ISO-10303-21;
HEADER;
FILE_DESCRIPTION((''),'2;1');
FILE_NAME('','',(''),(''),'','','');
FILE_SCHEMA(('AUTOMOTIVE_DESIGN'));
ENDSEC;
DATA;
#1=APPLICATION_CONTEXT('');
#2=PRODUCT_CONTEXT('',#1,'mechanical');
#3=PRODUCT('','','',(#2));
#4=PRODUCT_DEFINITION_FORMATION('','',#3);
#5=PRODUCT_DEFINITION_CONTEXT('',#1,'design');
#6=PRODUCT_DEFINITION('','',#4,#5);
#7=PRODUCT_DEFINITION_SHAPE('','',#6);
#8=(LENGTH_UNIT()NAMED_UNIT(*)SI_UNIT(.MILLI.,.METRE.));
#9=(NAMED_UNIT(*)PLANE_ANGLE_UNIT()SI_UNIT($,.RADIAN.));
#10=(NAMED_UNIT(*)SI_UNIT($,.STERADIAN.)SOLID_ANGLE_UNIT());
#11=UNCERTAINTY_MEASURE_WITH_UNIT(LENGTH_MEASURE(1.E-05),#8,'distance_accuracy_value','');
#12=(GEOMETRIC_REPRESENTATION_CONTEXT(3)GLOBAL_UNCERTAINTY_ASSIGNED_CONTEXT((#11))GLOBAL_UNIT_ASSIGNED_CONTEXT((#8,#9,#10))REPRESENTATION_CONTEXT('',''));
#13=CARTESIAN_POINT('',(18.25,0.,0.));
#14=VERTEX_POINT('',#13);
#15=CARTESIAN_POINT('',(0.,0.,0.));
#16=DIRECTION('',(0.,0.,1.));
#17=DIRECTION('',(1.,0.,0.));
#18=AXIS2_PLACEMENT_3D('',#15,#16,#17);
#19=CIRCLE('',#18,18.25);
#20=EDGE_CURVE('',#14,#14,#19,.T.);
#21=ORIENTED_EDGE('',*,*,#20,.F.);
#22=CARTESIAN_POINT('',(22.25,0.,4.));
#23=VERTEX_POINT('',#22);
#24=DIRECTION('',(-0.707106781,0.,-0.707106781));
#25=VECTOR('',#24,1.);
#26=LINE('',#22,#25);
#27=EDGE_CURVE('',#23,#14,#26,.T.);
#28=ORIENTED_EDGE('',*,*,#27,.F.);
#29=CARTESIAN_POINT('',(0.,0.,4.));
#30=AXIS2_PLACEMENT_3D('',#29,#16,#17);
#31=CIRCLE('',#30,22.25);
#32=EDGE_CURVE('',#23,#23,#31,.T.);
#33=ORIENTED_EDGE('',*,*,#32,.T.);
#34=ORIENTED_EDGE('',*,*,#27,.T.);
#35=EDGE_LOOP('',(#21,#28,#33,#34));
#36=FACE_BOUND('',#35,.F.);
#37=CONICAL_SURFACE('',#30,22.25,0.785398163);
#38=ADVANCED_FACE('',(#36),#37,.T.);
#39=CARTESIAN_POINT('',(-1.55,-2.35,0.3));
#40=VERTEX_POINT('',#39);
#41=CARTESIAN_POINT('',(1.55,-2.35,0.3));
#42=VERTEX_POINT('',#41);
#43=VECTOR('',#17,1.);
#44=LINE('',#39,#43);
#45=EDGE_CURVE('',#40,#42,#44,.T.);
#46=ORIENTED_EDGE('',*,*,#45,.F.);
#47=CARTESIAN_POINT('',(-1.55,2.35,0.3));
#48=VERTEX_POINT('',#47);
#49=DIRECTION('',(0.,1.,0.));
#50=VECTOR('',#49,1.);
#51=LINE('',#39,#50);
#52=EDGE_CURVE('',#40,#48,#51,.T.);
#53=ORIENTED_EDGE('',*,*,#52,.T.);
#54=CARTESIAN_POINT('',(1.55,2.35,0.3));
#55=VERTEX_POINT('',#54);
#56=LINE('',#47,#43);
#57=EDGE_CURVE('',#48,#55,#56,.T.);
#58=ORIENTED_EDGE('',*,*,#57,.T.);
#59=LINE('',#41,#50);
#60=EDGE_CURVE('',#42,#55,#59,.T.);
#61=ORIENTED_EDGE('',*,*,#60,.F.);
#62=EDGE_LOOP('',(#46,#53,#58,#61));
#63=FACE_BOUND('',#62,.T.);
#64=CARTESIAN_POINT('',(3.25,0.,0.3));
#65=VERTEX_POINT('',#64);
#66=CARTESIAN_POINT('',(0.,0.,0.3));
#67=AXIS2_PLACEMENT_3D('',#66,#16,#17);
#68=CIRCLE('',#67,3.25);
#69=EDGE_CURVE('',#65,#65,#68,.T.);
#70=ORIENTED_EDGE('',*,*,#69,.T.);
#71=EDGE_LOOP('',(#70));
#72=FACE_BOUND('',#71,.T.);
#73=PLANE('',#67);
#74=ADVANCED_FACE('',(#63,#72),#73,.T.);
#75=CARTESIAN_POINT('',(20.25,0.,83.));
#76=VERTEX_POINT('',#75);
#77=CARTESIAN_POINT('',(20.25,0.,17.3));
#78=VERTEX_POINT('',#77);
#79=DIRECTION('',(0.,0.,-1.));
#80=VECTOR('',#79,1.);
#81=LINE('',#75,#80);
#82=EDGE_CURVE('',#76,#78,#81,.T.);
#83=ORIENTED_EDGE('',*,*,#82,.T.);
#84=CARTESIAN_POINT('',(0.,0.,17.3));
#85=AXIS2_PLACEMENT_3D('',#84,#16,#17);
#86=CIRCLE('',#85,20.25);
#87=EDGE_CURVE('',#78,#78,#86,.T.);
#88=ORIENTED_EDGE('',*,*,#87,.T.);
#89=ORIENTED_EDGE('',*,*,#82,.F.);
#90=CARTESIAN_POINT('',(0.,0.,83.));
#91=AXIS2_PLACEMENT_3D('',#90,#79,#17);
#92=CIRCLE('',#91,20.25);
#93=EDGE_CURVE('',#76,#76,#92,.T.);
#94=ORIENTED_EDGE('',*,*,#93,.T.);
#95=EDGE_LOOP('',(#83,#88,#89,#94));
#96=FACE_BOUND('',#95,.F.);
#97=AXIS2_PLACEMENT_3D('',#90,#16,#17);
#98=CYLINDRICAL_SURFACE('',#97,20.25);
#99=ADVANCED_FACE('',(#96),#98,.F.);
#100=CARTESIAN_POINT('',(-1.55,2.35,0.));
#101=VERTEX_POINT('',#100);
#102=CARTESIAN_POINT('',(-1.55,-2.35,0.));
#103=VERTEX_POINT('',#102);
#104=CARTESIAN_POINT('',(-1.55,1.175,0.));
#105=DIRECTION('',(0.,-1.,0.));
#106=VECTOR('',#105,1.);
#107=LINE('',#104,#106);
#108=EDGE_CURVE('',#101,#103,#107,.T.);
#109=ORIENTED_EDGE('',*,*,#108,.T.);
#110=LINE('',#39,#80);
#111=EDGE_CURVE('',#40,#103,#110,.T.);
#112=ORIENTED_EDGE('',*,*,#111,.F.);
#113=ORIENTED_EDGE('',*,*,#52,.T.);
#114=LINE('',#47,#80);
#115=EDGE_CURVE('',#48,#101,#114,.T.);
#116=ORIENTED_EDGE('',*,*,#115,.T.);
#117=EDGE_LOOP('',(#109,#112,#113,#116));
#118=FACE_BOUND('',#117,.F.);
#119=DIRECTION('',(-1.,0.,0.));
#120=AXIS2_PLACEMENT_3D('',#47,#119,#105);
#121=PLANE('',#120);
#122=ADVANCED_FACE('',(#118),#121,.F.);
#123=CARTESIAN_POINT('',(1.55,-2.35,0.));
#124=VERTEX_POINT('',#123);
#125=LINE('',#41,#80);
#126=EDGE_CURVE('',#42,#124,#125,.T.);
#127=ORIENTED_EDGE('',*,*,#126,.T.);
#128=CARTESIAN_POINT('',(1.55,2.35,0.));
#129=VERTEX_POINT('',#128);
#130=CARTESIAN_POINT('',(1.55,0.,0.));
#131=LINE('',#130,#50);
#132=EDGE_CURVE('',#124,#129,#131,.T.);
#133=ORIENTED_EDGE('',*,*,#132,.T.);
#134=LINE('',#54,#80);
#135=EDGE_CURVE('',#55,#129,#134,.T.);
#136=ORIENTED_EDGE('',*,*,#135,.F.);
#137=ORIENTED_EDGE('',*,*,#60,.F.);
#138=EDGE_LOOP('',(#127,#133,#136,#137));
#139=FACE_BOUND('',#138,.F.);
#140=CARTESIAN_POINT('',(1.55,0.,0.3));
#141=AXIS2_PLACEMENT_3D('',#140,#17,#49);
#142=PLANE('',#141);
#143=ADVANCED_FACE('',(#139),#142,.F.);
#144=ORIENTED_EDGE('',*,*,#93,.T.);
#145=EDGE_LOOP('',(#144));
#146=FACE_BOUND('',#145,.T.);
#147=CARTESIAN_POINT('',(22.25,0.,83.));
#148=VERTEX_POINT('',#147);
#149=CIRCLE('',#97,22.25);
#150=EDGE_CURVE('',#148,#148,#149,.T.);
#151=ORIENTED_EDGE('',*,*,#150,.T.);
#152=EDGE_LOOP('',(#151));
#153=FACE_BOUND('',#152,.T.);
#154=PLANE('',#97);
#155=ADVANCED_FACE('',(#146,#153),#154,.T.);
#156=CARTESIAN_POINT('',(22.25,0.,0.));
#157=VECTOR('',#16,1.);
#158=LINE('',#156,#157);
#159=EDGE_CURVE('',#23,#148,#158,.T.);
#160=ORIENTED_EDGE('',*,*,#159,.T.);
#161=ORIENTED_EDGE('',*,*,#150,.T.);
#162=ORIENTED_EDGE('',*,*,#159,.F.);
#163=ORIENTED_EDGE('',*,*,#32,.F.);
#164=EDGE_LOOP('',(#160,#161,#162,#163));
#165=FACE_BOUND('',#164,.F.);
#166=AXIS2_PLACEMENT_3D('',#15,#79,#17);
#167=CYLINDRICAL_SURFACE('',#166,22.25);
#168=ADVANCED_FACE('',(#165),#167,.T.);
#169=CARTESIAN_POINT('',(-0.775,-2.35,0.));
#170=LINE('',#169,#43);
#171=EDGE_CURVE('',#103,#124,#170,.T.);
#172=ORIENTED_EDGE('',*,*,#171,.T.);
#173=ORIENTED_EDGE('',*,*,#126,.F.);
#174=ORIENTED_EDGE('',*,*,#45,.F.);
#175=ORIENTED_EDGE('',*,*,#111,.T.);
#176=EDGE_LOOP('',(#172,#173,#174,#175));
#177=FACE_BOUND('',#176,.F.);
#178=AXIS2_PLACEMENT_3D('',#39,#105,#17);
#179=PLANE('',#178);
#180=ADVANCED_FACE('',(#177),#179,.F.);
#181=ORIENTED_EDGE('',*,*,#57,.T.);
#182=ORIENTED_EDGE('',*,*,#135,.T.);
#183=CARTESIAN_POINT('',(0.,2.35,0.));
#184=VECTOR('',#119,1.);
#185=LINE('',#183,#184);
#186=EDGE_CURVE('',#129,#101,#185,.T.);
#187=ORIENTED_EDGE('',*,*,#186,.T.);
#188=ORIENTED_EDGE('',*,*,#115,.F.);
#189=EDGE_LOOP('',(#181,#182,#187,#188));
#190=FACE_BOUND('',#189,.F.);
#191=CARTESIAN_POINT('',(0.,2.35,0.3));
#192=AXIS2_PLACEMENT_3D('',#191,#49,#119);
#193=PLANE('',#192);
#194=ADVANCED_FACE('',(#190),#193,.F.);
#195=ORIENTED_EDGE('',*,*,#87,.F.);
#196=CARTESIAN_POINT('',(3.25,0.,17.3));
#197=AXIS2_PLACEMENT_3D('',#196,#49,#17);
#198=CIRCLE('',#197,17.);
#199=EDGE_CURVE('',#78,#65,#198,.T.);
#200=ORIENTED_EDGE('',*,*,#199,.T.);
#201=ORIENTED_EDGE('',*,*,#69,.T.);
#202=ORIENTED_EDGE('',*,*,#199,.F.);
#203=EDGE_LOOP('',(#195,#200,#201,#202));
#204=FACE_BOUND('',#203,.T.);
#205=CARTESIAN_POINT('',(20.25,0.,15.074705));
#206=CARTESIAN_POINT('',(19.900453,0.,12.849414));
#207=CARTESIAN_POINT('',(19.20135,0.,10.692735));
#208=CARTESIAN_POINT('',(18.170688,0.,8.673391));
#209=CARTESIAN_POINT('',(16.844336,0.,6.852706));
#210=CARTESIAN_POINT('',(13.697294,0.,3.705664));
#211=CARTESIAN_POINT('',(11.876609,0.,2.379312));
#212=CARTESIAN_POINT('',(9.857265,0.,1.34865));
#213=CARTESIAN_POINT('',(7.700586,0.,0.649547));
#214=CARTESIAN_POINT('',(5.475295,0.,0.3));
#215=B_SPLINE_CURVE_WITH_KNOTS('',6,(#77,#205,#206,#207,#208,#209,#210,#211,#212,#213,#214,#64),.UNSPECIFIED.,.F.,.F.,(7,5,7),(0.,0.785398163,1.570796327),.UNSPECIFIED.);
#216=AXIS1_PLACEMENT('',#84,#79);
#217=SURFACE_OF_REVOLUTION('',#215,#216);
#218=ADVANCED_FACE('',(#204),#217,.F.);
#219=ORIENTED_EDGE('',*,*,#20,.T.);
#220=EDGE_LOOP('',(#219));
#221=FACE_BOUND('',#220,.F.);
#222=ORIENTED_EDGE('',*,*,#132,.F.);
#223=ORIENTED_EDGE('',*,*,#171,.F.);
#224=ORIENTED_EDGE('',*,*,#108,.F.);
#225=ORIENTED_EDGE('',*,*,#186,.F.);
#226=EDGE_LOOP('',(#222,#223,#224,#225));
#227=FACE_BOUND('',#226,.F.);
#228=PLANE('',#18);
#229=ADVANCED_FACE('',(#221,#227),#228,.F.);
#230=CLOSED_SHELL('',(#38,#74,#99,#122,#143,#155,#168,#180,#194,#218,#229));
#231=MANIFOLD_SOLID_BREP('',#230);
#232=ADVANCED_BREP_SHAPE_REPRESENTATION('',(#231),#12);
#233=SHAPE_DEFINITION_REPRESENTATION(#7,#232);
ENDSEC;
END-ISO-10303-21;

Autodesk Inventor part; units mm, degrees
ref_plane "YZ Plane" through (0, 0, 0) normal (1, 0, 0) x (0, 1, 0)
ref_plane "XZ Plane" through (0, 0, 0) normal (0, 1, 0) x (-1, 0, 0)
ref_plane "XY Plane" through (0, 0, 0) normal (0, 0, 1) x (1, 0, 0)
sketch "Sketch2" plane through (0, 0, 0) normal (0, 0, 1) x (1, 0, 0)
  circle A0 centre (0, 0) radius 22.25
  dimension "d2" = 44.5
extrude "Extrusion1" add sketch "Sketch2" along normal blind 83
sketch "Sketch9" plane through (0, 0, 83) normal (0, 0, 1) x (1, 0, 0)
  circle A0 centre (0, 0) radius 22.25 projected
  line L0 (-31.15, 0) -> (31.15, 0) projected
  line L1 (0, -31.15) -> (0, 31.15) projected
  circle A1 centre (0, 0) radius 20.25
  dimension "d54" = 40.5
extrude "Extrusion7" cut sketch "Sketch9" against normal blind 82.7 contours A1 L1 L0 | L0 L1 A1 | L1 L0 A1 | A1 L0 L1
fillet "Fillet12" radius 17 1 edges at (-20.25, 0, 0.3)
sketch "Sketch18" plane through (0, 0, 0.3) normal (0, 0, 1) x (1, 0, 0)
  line L0 (-31.15, 0) -> (31.15, 0) projected
  line L1 (0, -31.15) -> (0, 31.15) projected
  line L2 (1.55, 2.35) -> (-1.55, 2.35)
  line L3 (-1.55, 2.35) -> (-1.55, -2.35)
  line L4 (-1.55, -2.35) -> (1.55, -2.35)
  line L5 (1.55, -2.35) -> (1.55, 2.35)
  line L6 (1.55, 2.35) -> (-1.55, -2.35) construction
  line L7 (-1.55, 2.35) -> (1.55, -2.35) construction
  point P0 (0, 0)
  dimension "d122" = 3.1
  dimension "d123" = 4.7
extrude "Extrusion15" cut sketch "Sketch18" against normal through all
chamfer "Chamfer9" distance 4 angle 45 1 edges at (-22.25, 0, 0)
equation "\"BendRadius\" = Thickness"
equation "\"BendReliefWidth\" = Thickness"
equation "\"BendReliefDepth\" = 0.5 * Thickness"
equation "\"CornerReliefSize\" = 4 * Thickness"
equation "\"MinimumRemnant\" = 2 * Thickness"
equation "\"TransitionRadius\" = BendRadius"
equation "\"JacobiRadiusSize\" = BendRadius"
equation "\"GapSize\" = Thickness"
equation "\"Thickness\" = 3.048"
properties part number "_3DPrint"
